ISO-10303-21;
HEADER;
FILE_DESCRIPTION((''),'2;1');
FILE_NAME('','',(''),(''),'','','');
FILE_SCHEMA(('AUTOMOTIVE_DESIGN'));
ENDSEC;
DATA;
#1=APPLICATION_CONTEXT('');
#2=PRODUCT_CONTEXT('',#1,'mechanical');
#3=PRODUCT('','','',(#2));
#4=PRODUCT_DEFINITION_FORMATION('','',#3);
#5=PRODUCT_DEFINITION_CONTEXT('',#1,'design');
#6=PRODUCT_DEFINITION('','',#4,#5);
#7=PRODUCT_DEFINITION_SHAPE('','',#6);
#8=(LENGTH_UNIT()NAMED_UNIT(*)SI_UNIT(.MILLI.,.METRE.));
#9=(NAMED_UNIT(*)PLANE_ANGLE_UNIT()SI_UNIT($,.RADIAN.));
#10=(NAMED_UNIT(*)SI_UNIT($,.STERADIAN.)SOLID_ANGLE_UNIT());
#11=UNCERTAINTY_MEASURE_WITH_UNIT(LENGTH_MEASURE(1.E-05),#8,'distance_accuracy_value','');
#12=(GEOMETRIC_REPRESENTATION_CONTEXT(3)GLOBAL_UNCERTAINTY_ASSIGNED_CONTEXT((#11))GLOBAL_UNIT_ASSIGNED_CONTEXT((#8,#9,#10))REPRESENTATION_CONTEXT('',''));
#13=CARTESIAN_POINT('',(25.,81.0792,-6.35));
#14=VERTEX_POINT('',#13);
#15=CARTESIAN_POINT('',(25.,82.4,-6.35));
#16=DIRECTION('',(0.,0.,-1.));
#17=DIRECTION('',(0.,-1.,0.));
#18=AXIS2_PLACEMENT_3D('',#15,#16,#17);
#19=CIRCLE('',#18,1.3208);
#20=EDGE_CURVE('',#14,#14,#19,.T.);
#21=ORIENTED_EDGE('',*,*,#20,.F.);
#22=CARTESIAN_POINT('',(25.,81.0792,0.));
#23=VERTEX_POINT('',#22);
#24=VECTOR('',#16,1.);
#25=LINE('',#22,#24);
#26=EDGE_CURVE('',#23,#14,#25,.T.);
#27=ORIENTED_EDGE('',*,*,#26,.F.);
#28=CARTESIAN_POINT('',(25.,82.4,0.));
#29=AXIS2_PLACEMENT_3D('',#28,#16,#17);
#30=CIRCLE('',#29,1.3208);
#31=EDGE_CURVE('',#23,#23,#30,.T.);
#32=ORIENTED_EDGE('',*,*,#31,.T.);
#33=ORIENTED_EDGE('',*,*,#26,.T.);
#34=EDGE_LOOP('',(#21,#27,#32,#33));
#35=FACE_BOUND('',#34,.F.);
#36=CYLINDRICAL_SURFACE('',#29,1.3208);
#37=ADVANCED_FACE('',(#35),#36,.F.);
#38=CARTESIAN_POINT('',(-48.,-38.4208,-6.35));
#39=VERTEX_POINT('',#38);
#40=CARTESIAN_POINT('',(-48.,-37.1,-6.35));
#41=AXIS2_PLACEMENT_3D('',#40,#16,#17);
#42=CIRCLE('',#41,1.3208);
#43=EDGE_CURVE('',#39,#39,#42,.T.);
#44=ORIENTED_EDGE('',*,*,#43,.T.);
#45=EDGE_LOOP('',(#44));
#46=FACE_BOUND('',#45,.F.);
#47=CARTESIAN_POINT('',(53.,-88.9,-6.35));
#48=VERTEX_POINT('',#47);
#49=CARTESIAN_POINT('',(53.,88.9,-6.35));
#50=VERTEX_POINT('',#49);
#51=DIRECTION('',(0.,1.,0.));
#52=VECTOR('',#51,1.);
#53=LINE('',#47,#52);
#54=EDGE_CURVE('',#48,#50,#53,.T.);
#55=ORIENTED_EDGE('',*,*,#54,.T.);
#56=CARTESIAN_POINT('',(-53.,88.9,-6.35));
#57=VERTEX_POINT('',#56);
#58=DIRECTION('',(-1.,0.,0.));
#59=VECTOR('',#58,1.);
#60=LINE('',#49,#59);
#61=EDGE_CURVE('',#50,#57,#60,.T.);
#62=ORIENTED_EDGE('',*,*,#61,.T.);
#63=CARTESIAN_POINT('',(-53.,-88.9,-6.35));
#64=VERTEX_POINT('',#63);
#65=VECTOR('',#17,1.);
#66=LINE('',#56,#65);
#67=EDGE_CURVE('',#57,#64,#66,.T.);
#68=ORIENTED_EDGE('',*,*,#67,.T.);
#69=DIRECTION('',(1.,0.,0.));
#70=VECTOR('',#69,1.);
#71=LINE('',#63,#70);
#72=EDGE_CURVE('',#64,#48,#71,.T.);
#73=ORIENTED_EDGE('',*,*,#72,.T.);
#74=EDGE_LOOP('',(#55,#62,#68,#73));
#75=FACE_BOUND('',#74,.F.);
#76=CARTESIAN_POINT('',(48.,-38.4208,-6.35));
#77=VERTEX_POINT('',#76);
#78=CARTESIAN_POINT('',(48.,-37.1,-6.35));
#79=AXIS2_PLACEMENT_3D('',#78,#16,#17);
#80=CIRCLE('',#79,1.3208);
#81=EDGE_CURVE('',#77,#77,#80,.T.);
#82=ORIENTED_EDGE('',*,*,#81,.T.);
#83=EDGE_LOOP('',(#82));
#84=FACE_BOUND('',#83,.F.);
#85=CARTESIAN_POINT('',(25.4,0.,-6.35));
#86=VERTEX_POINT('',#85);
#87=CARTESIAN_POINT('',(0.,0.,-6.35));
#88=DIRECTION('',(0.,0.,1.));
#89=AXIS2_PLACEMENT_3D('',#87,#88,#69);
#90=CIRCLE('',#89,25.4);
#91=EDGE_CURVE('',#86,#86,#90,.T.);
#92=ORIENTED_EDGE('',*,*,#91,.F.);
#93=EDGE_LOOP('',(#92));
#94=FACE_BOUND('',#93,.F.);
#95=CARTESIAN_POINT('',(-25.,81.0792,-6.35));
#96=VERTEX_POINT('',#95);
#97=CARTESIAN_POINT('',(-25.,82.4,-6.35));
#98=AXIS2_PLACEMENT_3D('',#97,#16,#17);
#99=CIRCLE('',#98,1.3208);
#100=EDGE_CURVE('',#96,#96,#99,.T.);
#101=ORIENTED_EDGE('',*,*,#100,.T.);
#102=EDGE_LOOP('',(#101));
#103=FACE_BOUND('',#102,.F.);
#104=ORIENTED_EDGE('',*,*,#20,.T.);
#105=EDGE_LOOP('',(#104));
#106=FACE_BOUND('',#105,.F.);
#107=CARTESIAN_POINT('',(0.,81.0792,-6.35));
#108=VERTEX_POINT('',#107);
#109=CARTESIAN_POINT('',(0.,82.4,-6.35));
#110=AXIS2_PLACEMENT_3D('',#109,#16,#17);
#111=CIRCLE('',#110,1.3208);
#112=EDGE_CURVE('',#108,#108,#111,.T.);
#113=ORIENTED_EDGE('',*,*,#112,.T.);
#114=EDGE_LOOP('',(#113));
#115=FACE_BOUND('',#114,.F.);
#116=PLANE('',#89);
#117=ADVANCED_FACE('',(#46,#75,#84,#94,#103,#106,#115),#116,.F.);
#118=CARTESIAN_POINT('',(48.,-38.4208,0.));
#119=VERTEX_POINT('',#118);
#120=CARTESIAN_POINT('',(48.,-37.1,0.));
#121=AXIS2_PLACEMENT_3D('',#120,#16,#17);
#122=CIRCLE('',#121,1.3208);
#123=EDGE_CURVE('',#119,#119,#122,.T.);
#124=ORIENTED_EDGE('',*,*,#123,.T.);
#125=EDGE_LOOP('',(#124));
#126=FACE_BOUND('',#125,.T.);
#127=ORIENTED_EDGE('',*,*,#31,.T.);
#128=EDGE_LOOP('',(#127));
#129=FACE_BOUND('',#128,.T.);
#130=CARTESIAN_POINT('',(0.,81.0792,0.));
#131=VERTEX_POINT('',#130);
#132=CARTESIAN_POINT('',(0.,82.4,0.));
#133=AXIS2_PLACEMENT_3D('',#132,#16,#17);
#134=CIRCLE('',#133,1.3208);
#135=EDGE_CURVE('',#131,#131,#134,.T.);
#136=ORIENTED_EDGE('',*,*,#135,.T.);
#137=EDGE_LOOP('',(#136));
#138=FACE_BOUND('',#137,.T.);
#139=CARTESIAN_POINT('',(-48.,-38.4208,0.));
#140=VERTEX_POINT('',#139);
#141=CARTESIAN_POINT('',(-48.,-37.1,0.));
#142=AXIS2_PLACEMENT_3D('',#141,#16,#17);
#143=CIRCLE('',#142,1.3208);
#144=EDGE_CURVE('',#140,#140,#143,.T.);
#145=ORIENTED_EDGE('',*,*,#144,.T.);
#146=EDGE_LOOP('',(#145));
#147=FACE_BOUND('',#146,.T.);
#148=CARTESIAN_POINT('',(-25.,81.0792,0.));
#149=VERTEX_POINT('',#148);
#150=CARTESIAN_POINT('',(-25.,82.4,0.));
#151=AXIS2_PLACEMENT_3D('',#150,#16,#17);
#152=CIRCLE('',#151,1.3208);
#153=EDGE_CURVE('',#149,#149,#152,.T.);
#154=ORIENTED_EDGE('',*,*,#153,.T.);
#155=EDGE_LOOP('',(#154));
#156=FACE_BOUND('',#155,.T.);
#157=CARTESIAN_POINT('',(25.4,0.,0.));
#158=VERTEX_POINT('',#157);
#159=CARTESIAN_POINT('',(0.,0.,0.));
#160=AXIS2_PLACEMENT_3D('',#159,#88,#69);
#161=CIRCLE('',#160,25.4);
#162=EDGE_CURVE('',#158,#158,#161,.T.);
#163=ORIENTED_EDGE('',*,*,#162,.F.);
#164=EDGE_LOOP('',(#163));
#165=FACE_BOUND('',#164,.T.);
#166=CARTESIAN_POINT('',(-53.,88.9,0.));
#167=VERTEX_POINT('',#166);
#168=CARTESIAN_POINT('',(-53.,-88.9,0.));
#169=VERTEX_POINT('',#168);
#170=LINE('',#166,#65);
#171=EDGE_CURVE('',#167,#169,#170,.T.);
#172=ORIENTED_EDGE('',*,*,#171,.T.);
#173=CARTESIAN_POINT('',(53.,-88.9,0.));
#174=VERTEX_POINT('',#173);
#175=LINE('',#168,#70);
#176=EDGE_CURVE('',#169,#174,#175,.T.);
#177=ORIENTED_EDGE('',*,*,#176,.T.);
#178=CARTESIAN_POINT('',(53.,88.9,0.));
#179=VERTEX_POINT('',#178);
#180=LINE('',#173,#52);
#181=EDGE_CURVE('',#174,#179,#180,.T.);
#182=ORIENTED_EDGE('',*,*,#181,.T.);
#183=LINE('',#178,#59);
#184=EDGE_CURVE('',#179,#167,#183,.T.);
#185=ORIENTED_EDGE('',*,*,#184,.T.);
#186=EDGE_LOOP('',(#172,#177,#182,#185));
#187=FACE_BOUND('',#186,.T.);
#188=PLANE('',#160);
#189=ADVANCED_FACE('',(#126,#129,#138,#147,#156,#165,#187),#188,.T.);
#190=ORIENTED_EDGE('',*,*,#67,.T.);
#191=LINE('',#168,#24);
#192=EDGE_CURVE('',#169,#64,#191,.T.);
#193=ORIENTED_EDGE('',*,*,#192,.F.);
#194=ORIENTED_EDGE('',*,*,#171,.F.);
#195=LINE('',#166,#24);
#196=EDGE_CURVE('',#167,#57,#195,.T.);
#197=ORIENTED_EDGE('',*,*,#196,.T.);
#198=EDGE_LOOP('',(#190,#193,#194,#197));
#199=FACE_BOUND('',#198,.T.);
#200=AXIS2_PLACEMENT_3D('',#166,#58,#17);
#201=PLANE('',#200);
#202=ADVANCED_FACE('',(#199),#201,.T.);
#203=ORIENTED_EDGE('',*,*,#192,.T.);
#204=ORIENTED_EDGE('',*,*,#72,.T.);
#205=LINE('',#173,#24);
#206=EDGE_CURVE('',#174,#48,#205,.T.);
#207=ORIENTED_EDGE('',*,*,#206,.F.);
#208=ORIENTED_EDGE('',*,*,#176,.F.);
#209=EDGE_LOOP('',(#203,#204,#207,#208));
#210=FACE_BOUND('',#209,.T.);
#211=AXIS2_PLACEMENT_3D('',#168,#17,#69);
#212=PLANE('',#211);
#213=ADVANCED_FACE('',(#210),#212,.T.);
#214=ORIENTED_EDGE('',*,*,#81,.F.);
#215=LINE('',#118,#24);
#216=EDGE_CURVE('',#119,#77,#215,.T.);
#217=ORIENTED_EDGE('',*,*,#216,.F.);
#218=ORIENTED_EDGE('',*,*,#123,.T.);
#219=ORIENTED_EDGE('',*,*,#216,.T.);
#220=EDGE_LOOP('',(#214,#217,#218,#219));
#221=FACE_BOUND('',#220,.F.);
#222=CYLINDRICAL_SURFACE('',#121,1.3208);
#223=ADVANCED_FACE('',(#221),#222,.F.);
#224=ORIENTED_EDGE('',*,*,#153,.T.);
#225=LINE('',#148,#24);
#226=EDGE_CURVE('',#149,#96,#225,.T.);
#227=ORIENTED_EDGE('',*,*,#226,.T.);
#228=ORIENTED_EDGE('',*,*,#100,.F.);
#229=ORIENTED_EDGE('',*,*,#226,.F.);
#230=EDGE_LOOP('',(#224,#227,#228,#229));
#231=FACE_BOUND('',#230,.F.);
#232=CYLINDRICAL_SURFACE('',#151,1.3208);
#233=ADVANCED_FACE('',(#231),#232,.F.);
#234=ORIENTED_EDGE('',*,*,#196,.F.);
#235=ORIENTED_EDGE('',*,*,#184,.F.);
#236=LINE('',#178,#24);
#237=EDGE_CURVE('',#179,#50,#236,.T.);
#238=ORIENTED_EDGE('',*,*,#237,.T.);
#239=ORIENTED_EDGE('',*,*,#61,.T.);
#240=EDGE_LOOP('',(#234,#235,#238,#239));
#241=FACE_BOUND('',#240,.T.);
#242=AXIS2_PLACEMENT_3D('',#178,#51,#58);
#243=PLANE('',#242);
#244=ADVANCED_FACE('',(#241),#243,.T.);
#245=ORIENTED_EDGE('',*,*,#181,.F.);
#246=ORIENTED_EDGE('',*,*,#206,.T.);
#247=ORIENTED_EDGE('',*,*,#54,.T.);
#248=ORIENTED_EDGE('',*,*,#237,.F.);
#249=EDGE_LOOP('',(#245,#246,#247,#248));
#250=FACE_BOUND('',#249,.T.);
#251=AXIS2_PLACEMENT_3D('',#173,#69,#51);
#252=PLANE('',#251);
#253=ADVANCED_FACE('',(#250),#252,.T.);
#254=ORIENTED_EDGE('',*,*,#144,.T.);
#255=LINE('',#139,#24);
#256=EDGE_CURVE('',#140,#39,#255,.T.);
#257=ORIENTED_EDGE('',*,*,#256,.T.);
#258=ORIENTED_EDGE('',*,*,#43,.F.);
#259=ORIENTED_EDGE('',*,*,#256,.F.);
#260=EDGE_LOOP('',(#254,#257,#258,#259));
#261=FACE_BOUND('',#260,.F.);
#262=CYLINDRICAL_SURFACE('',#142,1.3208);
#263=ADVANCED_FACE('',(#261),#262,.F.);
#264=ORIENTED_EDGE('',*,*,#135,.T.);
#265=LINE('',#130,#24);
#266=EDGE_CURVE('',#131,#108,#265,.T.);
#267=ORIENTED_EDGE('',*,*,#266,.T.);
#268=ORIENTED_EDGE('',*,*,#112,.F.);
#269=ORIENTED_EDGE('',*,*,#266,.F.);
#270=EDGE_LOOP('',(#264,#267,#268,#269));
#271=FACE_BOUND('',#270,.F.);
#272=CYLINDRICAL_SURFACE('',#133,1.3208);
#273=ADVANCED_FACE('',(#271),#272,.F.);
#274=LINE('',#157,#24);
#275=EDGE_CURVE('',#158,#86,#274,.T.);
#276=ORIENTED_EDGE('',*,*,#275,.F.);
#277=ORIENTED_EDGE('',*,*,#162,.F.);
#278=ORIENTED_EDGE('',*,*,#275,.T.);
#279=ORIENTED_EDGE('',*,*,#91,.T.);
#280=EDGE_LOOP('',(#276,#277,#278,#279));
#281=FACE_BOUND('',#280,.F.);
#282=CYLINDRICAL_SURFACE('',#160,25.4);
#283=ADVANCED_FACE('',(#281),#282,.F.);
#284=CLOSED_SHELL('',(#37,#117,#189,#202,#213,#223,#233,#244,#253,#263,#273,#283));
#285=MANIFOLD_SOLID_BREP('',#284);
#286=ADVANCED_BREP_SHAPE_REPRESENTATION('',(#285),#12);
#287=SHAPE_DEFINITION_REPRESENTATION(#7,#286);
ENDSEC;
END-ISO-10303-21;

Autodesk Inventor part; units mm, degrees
ref_plane "YZ Plane" through (0, 0, 0) normal (1, 0, 0) x (0, 1, 0)
ref_plane "XZ Plane" through (0, 0, 0) normal (0, 1, 0) x (-1, 0, 0)
ref_plane "XY Plane" through (0, 0, 0) normal (0, 0, 1) x (1, 0, 0)
sketch "Sketch2" plane through (0, 0, 0) normal (0, 0, 1) x (1, 0, 0)
  line L0 (-53, -88.9) -> (53, -88.9)
  line L1 (53, -88.9) -> (53, 88.9)
  line L2 (53, 88.9) -> (-53, 88.9)
  line L3 (-53, 88.9) -> (-53, -88.9)
  line L4 (-53, -88.9) -> (53, 88.9) construction
  line L5 (53, -88.9) -> (-53, 88.9) construction
  point P0 (0, 0)
  dimension "d0" = 106
  dimension "d1" = 177.8
extrude "Extrusion1" add sketch "Sketch2" against normal blind 6.35
sketch "Sketch5" plane through (0, 0, 0) normal (0, 0, 1) x (1, 0, 0)
  circle A0 centre (0, 0) radius 25.4
  dimension "d26" = 50.8
extrude "CenterHole" cut sketch "Sketch5" against normal through all
sketch "Sketch6" plane through (0, 0, 0) normal (0, 0, 1) x (1, 0, 0)
  line L0 (-53, 88.9) -> (-53, -88.9) projected
  line L1 (53, -88.9) -> (53, 88.9) projected
  line L2 (-53, -88.9) -> (-53, 88.9) construction
  line L3 (-53, 82.4) -> (53, 82.4) construction
  line L4 (53, 88.9) -> (-53, 88.9) construction
  point P0 (0, 0)
  point P1 (0, 82.4)
  point P2 (123.3454, 23.3667)
  point P3 (-25, 82.4)
  point P4 (25, 82.4)
  dimension "d29" = 6.5
  dimension "d30" = 25
  dimension "d31" = 25
hole "TopThreeHoles" at (0, 82.4, 0) at (123.3454, 23.3667, 0) at (-25, 82.4, 0) at (25, 82.4, 0) direction (0, 0, -1) diameter 2.6416 end through all thread size "6-32 UNC" class "2B" standard "ANSI Unified Screw Threads"
sketch "Sketch7" plane through (0, 0, 0) normal (0, 0, 1) x (1, 0, 0)
  line L0 (53, -88.9) -> (53, 88.9) projected
  line L1 (-53, 88.9) -> (-53, -88.9) projected
  line L2 (-53, -37.1) -> (53, -37.1) construction
  line L3 (53, 88.9) -> (53, -88.9) projected
  line L4 (53, 88.9) -> (-53, 88.9) construction
  point P0 (0, 0)
  point P1 (-48, -37.1)
  point P2 (48, -37.1)
  dimension "d39" = 126
  dimension "d40" = 5
  dimension "d41" = 5
hole "Hole3" at (-48, -37.1, 0) at (48, -37.1, 0) direction (0, 0, -1) diameter 2.6416 end through all thread size "6-32 UNC" class "2B" standard "ANSI Unified Screw Threads"
properties part number "gateGasket"
